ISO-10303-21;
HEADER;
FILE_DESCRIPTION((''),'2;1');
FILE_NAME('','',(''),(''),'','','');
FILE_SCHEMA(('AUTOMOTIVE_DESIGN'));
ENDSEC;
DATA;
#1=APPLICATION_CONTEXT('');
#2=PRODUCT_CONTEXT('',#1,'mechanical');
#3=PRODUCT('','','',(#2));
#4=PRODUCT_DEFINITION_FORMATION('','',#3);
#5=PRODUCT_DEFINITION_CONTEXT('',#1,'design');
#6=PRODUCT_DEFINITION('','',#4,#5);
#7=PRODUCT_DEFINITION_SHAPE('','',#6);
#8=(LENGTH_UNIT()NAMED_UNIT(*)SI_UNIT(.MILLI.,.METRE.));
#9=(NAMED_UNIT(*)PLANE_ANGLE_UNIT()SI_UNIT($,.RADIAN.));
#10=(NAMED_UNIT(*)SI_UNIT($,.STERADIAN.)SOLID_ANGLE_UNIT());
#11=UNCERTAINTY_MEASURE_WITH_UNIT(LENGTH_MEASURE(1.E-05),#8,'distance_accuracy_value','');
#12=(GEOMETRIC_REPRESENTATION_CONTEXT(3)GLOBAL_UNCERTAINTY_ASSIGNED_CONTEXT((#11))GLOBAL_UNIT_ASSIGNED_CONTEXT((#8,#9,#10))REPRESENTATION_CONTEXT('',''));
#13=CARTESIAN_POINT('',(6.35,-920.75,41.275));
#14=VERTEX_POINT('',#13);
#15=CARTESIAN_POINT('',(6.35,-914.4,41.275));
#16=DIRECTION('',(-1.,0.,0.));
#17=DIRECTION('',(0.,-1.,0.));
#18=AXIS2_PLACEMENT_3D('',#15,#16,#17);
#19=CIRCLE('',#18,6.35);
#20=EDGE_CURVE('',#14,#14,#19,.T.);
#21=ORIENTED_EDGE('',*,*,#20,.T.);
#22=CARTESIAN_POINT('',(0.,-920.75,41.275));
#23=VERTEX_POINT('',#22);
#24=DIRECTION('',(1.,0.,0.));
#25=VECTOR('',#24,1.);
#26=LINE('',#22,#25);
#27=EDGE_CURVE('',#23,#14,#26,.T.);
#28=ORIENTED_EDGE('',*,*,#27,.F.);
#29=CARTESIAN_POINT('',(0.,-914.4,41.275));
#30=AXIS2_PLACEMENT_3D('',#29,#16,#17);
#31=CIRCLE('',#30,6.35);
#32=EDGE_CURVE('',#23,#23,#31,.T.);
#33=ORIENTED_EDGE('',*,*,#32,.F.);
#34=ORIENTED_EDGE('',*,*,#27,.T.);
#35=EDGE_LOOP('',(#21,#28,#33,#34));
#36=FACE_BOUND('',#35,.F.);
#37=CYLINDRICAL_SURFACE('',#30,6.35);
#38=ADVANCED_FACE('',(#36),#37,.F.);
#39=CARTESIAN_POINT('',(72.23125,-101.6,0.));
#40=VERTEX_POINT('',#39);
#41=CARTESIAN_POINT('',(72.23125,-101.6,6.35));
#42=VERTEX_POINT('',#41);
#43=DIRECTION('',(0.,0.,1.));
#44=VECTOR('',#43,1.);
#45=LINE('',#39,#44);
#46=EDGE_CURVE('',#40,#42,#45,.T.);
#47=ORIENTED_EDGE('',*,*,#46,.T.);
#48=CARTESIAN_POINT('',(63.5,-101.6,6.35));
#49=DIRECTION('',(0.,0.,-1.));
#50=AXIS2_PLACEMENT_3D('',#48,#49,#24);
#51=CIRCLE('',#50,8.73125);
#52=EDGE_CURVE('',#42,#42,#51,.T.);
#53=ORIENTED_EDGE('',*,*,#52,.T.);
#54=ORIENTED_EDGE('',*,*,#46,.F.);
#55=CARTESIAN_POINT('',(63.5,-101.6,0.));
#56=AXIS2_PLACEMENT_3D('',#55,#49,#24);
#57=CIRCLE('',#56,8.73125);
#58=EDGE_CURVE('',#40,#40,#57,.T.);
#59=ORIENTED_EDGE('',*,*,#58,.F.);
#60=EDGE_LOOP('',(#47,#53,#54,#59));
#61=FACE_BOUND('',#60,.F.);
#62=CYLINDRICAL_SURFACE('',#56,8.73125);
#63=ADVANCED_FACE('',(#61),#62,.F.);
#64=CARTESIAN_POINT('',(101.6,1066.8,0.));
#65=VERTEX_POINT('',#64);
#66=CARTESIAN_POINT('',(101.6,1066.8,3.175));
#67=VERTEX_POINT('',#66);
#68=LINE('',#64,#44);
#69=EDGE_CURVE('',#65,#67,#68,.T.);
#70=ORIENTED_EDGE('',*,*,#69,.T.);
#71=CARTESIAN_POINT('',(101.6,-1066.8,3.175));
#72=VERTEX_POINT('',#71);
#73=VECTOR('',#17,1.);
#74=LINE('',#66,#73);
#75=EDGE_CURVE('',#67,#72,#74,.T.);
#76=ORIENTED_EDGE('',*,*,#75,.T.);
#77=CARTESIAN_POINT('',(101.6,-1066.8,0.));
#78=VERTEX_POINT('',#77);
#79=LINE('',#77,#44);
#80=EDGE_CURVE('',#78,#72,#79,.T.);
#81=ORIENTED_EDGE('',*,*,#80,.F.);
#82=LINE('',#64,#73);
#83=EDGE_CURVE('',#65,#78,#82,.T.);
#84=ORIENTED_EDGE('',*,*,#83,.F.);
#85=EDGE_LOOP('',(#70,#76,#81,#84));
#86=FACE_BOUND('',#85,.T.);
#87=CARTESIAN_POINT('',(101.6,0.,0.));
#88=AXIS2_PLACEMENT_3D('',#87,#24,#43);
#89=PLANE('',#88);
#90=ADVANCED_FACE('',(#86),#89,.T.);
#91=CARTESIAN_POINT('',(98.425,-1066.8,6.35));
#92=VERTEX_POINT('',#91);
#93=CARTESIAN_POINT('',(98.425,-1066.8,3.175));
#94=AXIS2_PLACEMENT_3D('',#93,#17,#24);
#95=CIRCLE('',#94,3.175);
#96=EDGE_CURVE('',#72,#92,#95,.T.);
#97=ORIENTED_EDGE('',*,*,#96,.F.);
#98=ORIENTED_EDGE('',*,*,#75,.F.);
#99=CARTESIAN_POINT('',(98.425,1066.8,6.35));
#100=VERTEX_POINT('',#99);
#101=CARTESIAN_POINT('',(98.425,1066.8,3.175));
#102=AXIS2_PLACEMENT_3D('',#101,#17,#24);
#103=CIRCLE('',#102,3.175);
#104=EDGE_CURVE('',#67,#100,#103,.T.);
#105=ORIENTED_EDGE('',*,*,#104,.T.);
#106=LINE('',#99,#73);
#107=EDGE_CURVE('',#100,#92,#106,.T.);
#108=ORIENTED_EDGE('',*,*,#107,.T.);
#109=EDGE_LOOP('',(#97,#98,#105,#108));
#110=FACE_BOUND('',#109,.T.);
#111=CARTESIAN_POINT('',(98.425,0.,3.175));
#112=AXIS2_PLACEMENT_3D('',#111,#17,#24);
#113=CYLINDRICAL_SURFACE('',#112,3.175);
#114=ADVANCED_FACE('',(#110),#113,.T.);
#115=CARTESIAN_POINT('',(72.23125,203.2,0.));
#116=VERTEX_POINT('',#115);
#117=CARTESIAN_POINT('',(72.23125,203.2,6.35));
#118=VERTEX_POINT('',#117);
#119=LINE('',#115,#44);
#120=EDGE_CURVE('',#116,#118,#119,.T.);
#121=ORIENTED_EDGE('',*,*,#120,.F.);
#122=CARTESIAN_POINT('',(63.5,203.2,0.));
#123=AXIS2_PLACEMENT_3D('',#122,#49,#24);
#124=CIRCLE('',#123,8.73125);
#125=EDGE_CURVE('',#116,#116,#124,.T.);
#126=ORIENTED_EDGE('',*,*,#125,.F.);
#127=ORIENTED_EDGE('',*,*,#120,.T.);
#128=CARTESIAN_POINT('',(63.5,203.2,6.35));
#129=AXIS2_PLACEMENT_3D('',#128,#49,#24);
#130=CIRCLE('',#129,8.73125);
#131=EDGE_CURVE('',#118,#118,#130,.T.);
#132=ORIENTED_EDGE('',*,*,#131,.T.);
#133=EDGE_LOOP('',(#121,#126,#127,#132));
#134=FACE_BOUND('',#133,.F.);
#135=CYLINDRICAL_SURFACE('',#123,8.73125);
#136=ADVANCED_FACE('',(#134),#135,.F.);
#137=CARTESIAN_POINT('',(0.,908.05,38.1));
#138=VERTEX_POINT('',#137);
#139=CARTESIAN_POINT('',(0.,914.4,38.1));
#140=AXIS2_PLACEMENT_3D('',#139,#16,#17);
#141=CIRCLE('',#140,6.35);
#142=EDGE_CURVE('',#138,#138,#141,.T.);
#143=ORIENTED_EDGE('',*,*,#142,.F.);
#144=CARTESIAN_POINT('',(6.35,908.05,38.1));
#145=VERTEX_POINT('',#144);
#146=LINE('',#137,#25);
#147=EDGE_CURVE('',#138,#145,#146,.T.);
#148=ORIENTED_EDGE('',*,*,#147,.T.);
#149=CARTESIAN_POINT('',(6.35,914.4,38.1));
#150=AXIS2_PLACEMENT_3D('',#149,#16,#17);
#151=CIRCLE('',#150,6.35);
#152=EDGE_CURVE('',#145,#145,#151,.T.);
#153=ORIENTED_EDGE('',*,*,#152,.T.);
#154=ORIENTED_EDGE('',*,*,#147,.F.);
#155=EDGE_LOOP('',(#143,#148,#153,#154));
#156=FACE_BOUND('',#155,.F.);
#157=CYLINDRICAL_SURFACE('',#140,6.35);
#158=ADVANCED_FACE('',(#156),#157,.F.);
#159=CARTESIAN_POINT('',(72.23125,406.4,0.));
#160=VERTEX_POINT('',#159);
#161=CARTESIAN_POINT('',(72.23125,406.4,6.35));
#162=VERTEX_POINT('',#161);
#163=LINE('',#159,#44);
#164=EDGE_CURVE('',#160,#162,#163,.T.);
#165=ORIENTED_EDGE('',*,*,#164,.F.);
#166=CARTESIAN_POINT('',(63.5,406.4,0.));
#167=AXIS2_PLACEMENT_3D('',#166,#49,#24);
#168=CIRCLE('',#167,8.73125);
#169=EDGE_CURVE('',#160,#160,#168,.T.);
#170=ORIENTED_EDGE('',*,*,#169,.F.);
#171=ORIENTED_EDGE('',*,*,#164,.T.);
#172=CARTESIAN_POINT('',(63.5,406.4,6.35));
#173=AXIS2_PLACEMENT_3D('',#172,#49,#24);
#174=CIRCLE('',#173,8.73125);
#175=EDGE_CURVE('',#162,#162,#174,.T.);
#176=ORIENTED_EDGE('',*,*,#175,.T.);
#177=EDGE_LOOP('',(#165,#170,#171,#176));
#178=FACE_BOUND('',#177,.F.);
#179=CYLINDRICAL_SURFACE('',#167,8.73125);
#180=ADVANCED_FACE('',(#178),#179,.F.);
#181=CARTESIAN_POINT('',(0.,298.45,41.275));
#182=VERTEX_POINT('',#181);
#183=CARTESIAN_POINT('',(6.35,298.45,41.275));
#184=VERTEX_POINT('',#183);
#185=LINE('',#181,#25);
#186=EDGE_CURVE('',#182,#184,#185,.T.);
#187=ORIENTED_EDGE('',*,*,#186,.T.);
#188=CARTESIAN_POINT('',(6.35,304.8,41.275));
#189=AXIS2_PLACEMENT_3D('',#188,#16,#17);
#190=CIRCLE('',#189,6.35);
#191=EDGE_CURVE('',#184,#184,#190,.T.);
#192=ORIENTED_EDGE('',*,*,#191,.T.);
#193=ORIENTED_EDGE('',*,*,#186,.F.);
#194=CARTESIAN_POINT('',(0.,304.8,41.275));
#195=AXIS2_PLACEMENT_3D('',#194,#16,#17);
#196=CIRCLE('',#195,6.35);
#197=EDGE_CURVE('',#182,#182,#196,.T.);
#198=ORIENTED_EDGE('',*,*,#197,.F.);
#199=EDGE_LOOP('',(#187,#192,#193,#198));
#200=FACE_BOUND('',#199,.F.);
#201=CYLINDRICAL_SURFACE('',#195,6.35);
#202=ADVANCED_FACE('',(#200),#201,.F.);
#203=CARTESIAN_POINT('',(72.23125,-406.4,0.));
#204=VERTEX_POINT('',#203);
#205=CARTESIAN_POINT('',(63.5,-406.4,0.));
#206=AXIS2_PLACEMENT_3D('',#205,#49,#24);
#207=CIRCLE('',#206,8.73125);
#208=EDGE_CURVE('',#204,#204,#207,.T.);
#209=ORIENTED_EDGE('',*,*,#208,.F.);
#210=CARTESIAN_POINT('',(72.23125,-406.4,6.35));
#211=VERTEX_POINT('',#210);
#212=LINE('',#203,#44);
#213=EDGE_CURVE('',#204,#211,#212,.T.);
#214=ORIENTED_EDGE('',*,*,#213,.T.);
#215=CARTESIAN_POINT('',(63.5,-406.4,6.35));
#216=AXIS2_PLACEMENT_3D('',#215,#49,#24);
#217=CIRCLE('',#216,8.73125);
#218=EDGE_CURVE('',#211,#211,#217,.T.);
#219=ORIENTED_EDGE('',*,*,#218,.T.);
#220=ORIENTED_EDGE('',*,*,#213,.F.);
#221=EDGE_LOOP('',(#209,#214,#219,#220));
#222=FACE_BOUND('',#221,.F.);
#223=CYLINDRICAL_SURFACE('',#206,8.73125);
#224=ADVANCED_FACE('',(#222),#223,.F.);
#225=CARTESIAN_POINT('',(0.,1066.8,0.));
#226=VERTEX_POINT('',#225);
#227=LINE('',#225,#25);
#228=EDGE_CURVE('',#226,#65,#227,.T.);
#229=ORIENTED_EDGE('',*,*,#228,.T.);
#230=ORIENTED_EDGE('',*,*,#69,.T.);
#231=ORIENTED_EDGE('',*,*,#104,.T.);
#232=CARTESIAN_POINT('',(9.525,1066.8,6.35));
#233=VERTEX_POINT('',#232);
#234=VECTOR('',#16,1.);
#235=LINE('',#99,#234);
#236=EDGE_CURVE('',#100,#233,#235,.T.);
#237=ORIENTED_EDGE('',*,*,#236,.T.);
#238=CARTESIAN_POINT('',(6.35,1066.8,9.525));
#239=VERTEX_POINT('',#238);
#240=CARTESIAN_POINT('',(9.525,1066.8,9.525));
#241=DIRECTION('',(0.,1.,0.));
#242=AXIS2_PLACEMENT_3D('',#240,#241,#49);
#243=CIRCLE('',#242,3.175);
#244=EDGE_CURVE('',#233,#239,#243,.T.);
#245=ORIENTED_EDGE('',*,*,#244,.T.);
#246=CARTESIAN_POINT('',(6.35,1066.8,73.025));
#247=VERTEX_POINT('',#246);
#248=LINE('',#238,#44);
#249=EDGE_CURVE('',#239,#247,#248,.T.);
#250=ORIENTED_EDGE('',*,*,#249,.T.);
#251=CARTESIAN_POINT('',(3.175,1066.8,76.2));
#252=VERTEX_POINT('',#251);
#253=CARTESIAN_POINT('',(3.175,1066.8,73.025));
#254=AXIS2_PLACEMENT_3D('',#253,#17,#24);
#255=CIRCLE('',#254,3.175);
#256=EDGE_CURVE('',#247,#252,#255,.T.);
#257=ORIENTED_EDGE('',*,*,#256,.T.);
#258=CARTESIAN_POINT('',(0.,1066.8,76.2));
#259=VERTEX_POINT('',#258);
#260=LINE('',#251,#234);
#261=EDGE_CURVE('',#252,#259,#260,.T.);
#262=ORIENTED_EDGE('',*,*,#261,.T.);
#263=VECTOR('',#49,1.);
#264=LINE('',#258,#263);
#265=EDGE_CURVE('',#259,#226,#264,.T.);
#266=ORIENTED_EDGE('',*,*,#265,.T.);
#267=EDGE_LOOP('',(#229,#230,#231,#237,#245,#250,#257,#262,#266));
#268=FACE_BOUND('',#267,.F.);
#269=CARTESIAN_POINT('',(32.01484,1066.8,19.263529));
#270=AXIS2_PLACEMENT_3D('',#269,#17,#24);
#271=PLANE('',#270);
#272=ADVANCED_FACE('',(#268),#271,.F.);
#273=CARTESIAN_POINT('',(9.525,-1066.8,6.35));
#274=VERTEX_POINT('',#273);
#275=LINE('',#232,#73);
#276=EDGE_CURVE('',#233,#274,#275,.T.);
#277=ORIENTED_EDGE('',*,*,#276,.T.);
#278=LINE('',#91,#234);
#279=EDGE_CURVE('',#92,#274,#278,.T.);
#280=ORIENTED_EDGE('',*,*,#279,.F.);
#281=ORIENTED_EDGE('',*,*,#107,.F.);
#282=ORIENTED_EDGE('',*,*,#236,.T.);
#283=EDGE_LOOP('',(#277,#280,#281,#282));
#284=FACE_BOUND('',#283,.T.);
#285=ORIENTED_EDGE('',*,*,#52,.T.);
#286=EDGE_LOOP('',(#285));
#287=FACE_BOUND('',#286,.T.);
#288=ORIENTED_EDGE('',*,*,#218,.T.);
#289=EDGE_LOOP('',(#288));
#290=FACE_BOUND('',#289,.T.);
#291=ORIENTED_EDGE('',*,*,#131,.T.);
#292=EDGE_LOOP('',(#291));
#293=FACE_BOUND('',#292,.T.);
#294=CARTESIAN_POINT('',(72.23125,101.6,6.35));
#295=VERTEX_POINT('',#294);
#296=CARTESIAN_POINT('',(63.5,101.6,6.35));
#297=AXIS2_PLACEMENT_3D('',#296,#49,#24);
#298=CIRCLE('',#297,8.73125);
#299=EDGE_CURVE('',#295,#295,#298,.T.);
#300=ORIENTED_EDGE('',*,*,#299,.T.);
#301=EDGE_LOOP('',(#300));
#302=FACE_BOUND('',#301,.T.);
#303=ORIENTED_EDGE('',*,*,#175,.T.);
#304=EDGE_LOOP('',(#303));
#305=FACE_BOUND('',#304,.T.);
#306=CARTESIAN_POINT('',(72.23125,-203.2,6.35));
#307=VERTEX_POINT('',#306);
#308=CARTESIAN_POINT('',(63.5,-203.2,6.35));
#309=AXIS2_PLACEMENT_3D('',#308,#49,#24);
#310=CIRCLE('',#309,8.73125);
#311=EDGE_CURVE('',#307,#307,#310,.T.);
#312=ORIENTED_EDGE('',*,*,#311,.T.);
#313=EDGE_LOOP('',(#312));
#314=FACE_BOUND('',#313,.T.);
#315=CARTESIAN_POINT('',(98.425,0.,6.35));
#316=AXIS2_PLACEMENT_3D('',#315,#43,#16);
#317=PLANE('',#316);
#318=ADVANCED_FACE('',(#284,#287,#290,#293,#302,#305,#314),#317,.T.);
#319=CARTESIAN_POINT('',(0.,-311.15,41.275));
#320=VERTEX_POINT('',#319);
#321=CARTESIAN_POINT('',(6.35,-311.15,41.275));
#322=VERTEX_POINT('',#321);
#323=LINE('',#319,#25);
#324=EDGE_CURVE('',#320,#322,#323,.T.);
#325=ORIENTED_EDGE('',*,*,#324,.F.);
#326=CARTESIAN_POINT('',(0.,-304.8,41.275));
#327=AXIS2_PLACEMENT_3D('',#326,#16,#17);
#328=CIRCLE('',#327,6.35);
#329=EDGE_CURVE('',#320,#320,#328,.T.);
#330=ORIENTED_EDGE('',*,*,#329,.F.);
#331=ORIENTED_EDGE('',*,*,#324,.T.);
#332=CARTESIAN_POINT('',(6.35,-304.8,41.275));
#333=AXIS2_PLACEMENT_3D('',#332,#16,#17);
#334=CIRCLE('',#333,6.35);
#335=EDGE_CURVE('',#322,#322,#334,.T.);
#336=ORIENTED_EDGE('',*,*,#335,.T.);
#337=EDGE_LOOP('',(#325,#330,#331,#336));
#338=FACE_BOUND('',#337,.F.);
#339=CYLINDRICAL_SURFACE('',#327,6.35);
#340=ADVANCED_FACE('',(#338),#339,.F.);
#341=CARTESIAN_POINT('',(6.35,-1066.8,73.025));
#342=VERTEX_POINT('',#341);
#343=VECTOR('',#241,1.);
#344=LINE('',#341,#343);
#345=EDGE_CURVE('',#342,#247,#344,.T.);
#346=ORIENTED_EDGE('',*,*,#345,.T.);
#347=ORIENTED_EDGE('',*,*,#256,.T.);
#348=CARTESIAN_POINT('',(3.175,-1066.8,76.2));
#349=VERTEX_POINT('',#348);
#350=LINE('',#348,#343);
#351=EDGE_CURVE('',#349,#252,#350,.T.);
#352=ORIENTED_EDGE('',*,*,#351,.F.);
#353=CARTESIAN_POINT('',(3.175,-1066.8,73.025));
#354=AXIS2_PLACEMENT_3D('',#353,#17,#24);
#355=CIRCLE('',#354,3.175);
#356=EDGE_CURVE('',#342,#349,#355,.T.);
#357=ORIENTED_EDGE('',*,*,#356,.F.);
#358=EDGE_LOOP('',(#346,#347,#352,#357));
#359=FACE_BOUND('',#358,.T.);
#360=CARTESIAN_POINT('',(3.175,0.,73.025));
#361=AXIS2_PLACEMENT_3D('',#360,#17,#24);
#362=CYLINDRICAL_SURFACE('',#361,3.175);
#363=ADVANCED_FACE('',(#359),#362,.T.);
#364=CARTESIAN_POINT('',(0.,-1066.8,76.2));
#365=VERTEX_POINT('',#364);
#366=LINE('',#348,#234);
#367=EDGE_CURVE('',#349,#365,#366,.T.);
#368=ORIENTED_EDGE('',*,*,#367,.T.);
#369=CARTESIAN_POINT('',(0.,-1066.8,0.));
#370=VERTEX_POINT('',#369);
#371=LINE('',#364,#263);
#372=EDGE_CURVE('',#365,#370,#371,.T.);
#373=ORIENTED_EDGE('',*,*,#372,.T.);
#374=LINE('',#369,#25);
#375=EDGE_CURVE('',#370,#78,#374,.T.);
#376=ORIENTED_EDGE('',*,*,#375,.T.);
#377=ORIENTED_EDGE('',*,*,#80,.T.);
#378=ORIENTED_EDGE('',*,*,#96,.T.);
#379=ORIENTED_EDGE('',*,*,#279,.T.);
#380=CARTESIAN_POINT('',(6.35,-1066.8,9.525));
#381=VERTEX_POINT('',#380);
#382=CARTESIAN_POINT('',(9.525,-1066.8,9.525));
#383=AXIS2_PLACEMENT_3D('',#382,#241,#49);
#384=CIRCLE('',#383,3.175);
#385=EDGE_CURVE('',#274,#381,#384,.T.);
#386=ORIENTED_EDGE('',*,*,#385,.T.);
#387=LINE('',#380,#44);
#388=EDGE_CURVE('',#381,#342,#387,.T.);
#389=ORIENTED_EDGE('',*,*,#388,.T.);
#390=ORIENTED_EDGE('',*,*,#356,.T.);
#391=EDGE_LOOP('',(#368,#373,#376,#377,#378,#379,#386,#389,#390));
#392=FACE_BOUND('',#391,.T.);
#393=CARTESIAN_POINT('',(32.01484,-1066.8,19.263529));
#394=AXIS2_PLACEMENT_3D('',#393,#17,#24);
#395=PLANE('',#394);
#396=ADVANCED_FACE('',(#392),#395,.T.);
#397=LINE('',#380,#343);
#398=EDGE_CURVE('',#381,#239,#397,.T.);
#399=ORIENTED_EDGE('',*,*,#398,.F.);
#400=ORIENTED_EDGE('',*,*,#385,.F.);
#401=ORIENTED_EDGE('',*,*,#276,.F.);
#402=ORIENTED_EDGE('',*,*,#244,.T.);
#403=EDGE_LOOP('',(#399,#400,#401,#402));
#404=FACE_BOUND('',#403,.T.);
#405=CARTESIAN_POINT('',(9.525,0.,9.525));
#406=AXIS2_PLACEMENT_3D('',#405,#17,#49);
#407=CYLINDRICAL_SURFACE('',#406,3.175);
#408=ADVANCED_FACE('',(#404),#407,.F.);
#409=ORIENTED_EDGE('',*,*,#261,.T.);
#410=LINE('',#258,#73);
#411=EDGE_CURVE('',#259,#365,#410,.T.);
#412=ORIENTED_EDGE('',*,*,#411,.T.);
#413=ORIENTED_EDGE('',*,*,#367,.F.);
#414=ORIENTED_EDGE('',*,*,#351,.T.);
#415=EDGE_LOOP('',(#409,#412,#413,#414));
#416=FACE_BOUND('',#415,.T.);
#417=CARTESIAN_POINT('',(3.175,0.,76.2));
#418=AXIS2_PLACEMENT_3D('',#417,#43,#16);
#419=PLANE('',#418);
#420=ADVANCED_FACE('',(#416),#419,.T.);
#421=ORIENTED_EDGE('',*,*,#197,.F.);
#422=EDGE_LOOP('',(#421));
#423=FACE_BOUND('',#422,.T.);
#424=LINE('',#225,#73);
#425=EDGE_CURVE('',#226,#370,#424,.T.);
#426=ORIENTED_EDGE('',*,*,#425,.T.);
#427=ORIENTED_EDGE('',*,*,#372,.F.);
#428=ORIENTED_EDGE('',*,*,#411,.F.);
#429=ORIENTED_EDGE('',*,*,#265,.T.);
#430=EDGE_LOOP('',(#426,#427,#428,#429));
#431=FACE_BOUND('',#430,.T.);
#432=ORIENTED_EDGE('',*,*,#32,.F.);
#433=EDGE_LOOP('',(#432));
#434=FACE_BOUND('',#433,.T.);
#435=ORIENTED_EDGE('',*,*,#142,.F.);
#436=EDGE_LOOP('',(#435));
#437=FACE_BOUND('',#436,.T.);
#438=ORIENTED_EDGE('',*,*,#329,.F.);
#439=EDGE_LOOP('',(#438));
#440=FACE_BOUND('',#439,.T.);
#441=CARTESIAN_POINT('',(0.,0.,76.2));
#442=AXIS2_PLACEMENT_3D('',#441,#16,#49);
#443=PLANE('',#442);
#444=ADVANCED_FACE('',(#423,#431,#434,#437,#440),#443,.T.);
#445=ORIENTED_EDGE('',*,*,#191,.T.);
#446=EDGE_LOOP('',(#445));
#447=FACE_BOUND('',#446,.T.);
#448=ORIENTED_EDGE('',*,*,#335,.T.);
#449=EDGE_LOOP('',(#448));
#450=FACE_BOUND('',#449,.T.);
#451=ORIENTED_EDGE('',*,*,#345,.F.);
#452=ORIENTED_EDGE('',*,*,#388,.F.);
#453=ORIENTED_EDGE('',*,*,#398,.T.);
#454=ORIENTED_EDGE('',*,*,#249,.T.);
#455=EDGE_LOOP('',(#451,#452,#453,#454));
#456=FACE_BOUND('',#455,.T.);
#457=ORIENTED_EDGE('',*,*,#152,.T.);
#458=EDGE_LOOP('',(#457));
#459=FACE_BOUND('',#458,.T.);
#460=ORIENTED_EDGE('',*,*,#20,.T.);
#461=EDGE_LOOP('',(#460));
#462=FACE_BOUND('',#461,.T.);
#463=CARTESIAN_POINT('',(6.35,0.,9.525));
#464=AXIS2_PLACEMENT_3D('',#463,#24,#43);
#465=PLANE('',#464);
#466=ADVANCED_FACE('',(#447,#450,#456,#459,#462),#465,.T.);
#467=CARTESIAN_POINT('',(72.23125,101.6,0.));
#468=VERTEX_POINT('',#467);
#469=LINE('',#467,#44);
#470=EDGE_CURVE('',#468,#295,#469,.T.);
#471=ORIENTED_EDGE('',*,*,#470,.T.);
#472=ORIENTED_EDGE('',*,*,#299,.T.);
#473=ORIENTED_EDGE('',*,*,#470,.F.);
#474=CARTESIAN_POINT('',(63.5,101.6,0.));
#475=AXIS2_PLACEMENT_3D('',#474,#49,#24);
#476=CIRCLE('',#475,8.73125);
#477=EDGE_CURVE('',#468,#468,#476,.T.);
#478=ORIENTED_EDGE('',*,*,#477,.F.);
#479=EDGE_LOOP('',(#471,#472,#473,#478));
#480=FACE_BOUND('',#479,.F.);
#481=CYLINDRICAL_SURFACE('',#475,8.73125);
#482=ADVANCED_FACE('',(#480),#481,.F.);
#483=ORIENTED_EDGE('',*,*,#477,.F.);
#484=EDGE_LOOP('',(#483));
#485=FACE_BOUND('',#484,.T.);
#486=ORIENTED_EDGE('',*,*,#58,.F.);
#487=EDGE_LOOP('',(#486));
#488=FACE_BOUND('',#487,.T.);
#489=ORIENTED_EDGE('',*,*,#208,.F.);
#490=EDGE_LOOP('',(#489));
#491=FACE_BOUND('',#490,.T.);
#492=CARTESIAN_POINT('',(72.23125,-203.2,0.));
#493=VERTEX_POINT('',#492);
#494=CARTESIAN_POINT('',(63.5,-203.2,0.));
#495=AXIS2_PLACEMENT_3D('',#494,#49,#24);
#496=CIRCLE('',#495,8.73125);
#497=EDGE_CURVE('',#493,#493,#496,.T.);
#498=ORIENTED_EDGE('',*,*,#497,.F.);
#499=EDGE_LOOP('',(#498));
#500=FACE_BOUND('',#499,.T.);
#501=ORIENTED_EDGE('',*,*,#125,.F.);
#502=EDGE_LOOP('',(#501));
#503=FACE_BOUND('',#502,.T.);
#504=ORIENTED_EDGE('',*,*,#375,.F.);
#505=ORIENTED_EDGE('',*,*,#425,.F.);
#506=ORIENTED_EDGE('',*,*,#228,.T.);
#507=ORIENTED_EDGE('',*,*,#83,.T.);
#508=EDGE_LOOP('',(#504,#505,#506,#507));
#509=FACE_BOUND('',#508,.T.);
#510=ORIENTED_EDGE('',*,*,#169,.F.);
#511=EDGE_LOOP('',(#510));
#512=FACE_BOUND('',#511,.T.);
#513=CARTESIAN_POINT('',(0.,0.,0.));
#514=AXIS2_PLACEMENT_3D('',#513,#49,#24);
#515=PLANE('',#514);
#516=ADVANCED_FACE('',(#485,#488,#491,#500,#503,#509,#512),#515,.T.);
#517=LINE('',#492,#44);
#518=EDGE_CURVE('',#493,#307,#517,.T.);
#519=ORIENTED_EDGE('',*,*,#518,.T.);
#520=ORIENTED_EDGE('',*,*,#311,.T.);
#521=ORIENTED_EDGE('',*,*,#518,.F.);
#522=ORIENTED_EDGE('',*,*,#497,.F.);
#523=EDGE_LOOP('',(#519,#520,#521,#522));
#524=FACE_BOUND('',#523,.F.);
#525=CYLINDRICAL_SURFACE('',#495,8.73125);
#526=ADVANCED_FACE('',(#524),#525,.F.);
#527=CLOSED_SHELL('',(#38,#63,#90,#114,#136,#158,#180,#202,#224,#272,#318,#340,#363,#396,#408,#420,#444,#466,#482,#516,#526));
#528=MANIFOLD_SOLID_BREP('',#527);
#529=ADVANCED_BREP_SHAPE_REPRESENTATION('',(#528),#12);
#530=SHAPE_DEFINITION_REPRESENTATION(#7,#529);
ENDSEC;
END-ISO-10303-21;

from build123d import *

# Parameters (mm, degrees)
F1_DEPTH = 1066.8
F2_R     = 8.73125
F3_DEPTH = 76.201
F4_R     = 6.35
F5_DEPTH = 101.601


with BuildPart() as f1:
    # F0 (on Front) → F1 (new body, symmetric)
    with BuildSketch(Plane.XZ):
        with BuildLine():
            Line((3.175, 76.2), (0, 76.2))
            Line((0, 76.2), (0, 0))
            Line((0, 0), (101.6, 0))
            Line((101.6, 0), (101.6, 3.175))
            ThreePointArc((101.6, 3.175), (100.6700640303, 5.4200640303), (98.425, 6.35))
            Line((98.425, 6.35), (9.525, 6.35))
            ThreePointArc((9.525, 6.35), (7.2799359697, 7.2799359697), (6.35, 9.525))
            Line((6.35, 9.525), (6.35, 73.025))
            ThreePointArc((6.35, 73.025), (5.4200640303, 75.2700640303), (3.175, 76.2))
        make_face()
    extrude(amount=F1_DEPTH, both=True)

    # F2 (on face) → F3 (cut, through all)
    with BuildSketch(Plane(origin=(0, 0, 0), x_dir=(1, 0, 0), z_dir=(0, 0, -1))):
        with Locations((63.5, -203.2)):
            Circle(F2_R)
        with Locations((63.5, -406.4)):
            Circle(F2_R)
        with Locations((63.5, -101.6)):
            Circle(F2_R)
        with Locations((63.5, 101.6)):
            Circle(F2_R)
        with Locations((63.5, 203.2)):
            Circle(F2_R)
        with Locations((63.5, 406.4)):
            Circle(F2_R)
    extrude(amount=-F3_DEPTH, mode=Mode.SUBTRACT)

    # F4 (on face) → F5 (cut, through all)
    with BuildSketch(Plane(origin=(0, 0, 0), x_dir=(0, -1, 0), z_dir=(-1, 0, 0))):
        with Locations((-304.8, 41.275)):
            Circle(F4_R)
        with Locations((304.8, 41.275)):
            Circle(F4_R)
        with Locations((-914.4, 38.1)):
            Circle(F4_R)
        with Locations((914.4, 41.275)):
            Circle(F4_R)
    extrude(amount=-F5_DEPTH, mode=Mode.SUBTRACT)


solid = f1.part
